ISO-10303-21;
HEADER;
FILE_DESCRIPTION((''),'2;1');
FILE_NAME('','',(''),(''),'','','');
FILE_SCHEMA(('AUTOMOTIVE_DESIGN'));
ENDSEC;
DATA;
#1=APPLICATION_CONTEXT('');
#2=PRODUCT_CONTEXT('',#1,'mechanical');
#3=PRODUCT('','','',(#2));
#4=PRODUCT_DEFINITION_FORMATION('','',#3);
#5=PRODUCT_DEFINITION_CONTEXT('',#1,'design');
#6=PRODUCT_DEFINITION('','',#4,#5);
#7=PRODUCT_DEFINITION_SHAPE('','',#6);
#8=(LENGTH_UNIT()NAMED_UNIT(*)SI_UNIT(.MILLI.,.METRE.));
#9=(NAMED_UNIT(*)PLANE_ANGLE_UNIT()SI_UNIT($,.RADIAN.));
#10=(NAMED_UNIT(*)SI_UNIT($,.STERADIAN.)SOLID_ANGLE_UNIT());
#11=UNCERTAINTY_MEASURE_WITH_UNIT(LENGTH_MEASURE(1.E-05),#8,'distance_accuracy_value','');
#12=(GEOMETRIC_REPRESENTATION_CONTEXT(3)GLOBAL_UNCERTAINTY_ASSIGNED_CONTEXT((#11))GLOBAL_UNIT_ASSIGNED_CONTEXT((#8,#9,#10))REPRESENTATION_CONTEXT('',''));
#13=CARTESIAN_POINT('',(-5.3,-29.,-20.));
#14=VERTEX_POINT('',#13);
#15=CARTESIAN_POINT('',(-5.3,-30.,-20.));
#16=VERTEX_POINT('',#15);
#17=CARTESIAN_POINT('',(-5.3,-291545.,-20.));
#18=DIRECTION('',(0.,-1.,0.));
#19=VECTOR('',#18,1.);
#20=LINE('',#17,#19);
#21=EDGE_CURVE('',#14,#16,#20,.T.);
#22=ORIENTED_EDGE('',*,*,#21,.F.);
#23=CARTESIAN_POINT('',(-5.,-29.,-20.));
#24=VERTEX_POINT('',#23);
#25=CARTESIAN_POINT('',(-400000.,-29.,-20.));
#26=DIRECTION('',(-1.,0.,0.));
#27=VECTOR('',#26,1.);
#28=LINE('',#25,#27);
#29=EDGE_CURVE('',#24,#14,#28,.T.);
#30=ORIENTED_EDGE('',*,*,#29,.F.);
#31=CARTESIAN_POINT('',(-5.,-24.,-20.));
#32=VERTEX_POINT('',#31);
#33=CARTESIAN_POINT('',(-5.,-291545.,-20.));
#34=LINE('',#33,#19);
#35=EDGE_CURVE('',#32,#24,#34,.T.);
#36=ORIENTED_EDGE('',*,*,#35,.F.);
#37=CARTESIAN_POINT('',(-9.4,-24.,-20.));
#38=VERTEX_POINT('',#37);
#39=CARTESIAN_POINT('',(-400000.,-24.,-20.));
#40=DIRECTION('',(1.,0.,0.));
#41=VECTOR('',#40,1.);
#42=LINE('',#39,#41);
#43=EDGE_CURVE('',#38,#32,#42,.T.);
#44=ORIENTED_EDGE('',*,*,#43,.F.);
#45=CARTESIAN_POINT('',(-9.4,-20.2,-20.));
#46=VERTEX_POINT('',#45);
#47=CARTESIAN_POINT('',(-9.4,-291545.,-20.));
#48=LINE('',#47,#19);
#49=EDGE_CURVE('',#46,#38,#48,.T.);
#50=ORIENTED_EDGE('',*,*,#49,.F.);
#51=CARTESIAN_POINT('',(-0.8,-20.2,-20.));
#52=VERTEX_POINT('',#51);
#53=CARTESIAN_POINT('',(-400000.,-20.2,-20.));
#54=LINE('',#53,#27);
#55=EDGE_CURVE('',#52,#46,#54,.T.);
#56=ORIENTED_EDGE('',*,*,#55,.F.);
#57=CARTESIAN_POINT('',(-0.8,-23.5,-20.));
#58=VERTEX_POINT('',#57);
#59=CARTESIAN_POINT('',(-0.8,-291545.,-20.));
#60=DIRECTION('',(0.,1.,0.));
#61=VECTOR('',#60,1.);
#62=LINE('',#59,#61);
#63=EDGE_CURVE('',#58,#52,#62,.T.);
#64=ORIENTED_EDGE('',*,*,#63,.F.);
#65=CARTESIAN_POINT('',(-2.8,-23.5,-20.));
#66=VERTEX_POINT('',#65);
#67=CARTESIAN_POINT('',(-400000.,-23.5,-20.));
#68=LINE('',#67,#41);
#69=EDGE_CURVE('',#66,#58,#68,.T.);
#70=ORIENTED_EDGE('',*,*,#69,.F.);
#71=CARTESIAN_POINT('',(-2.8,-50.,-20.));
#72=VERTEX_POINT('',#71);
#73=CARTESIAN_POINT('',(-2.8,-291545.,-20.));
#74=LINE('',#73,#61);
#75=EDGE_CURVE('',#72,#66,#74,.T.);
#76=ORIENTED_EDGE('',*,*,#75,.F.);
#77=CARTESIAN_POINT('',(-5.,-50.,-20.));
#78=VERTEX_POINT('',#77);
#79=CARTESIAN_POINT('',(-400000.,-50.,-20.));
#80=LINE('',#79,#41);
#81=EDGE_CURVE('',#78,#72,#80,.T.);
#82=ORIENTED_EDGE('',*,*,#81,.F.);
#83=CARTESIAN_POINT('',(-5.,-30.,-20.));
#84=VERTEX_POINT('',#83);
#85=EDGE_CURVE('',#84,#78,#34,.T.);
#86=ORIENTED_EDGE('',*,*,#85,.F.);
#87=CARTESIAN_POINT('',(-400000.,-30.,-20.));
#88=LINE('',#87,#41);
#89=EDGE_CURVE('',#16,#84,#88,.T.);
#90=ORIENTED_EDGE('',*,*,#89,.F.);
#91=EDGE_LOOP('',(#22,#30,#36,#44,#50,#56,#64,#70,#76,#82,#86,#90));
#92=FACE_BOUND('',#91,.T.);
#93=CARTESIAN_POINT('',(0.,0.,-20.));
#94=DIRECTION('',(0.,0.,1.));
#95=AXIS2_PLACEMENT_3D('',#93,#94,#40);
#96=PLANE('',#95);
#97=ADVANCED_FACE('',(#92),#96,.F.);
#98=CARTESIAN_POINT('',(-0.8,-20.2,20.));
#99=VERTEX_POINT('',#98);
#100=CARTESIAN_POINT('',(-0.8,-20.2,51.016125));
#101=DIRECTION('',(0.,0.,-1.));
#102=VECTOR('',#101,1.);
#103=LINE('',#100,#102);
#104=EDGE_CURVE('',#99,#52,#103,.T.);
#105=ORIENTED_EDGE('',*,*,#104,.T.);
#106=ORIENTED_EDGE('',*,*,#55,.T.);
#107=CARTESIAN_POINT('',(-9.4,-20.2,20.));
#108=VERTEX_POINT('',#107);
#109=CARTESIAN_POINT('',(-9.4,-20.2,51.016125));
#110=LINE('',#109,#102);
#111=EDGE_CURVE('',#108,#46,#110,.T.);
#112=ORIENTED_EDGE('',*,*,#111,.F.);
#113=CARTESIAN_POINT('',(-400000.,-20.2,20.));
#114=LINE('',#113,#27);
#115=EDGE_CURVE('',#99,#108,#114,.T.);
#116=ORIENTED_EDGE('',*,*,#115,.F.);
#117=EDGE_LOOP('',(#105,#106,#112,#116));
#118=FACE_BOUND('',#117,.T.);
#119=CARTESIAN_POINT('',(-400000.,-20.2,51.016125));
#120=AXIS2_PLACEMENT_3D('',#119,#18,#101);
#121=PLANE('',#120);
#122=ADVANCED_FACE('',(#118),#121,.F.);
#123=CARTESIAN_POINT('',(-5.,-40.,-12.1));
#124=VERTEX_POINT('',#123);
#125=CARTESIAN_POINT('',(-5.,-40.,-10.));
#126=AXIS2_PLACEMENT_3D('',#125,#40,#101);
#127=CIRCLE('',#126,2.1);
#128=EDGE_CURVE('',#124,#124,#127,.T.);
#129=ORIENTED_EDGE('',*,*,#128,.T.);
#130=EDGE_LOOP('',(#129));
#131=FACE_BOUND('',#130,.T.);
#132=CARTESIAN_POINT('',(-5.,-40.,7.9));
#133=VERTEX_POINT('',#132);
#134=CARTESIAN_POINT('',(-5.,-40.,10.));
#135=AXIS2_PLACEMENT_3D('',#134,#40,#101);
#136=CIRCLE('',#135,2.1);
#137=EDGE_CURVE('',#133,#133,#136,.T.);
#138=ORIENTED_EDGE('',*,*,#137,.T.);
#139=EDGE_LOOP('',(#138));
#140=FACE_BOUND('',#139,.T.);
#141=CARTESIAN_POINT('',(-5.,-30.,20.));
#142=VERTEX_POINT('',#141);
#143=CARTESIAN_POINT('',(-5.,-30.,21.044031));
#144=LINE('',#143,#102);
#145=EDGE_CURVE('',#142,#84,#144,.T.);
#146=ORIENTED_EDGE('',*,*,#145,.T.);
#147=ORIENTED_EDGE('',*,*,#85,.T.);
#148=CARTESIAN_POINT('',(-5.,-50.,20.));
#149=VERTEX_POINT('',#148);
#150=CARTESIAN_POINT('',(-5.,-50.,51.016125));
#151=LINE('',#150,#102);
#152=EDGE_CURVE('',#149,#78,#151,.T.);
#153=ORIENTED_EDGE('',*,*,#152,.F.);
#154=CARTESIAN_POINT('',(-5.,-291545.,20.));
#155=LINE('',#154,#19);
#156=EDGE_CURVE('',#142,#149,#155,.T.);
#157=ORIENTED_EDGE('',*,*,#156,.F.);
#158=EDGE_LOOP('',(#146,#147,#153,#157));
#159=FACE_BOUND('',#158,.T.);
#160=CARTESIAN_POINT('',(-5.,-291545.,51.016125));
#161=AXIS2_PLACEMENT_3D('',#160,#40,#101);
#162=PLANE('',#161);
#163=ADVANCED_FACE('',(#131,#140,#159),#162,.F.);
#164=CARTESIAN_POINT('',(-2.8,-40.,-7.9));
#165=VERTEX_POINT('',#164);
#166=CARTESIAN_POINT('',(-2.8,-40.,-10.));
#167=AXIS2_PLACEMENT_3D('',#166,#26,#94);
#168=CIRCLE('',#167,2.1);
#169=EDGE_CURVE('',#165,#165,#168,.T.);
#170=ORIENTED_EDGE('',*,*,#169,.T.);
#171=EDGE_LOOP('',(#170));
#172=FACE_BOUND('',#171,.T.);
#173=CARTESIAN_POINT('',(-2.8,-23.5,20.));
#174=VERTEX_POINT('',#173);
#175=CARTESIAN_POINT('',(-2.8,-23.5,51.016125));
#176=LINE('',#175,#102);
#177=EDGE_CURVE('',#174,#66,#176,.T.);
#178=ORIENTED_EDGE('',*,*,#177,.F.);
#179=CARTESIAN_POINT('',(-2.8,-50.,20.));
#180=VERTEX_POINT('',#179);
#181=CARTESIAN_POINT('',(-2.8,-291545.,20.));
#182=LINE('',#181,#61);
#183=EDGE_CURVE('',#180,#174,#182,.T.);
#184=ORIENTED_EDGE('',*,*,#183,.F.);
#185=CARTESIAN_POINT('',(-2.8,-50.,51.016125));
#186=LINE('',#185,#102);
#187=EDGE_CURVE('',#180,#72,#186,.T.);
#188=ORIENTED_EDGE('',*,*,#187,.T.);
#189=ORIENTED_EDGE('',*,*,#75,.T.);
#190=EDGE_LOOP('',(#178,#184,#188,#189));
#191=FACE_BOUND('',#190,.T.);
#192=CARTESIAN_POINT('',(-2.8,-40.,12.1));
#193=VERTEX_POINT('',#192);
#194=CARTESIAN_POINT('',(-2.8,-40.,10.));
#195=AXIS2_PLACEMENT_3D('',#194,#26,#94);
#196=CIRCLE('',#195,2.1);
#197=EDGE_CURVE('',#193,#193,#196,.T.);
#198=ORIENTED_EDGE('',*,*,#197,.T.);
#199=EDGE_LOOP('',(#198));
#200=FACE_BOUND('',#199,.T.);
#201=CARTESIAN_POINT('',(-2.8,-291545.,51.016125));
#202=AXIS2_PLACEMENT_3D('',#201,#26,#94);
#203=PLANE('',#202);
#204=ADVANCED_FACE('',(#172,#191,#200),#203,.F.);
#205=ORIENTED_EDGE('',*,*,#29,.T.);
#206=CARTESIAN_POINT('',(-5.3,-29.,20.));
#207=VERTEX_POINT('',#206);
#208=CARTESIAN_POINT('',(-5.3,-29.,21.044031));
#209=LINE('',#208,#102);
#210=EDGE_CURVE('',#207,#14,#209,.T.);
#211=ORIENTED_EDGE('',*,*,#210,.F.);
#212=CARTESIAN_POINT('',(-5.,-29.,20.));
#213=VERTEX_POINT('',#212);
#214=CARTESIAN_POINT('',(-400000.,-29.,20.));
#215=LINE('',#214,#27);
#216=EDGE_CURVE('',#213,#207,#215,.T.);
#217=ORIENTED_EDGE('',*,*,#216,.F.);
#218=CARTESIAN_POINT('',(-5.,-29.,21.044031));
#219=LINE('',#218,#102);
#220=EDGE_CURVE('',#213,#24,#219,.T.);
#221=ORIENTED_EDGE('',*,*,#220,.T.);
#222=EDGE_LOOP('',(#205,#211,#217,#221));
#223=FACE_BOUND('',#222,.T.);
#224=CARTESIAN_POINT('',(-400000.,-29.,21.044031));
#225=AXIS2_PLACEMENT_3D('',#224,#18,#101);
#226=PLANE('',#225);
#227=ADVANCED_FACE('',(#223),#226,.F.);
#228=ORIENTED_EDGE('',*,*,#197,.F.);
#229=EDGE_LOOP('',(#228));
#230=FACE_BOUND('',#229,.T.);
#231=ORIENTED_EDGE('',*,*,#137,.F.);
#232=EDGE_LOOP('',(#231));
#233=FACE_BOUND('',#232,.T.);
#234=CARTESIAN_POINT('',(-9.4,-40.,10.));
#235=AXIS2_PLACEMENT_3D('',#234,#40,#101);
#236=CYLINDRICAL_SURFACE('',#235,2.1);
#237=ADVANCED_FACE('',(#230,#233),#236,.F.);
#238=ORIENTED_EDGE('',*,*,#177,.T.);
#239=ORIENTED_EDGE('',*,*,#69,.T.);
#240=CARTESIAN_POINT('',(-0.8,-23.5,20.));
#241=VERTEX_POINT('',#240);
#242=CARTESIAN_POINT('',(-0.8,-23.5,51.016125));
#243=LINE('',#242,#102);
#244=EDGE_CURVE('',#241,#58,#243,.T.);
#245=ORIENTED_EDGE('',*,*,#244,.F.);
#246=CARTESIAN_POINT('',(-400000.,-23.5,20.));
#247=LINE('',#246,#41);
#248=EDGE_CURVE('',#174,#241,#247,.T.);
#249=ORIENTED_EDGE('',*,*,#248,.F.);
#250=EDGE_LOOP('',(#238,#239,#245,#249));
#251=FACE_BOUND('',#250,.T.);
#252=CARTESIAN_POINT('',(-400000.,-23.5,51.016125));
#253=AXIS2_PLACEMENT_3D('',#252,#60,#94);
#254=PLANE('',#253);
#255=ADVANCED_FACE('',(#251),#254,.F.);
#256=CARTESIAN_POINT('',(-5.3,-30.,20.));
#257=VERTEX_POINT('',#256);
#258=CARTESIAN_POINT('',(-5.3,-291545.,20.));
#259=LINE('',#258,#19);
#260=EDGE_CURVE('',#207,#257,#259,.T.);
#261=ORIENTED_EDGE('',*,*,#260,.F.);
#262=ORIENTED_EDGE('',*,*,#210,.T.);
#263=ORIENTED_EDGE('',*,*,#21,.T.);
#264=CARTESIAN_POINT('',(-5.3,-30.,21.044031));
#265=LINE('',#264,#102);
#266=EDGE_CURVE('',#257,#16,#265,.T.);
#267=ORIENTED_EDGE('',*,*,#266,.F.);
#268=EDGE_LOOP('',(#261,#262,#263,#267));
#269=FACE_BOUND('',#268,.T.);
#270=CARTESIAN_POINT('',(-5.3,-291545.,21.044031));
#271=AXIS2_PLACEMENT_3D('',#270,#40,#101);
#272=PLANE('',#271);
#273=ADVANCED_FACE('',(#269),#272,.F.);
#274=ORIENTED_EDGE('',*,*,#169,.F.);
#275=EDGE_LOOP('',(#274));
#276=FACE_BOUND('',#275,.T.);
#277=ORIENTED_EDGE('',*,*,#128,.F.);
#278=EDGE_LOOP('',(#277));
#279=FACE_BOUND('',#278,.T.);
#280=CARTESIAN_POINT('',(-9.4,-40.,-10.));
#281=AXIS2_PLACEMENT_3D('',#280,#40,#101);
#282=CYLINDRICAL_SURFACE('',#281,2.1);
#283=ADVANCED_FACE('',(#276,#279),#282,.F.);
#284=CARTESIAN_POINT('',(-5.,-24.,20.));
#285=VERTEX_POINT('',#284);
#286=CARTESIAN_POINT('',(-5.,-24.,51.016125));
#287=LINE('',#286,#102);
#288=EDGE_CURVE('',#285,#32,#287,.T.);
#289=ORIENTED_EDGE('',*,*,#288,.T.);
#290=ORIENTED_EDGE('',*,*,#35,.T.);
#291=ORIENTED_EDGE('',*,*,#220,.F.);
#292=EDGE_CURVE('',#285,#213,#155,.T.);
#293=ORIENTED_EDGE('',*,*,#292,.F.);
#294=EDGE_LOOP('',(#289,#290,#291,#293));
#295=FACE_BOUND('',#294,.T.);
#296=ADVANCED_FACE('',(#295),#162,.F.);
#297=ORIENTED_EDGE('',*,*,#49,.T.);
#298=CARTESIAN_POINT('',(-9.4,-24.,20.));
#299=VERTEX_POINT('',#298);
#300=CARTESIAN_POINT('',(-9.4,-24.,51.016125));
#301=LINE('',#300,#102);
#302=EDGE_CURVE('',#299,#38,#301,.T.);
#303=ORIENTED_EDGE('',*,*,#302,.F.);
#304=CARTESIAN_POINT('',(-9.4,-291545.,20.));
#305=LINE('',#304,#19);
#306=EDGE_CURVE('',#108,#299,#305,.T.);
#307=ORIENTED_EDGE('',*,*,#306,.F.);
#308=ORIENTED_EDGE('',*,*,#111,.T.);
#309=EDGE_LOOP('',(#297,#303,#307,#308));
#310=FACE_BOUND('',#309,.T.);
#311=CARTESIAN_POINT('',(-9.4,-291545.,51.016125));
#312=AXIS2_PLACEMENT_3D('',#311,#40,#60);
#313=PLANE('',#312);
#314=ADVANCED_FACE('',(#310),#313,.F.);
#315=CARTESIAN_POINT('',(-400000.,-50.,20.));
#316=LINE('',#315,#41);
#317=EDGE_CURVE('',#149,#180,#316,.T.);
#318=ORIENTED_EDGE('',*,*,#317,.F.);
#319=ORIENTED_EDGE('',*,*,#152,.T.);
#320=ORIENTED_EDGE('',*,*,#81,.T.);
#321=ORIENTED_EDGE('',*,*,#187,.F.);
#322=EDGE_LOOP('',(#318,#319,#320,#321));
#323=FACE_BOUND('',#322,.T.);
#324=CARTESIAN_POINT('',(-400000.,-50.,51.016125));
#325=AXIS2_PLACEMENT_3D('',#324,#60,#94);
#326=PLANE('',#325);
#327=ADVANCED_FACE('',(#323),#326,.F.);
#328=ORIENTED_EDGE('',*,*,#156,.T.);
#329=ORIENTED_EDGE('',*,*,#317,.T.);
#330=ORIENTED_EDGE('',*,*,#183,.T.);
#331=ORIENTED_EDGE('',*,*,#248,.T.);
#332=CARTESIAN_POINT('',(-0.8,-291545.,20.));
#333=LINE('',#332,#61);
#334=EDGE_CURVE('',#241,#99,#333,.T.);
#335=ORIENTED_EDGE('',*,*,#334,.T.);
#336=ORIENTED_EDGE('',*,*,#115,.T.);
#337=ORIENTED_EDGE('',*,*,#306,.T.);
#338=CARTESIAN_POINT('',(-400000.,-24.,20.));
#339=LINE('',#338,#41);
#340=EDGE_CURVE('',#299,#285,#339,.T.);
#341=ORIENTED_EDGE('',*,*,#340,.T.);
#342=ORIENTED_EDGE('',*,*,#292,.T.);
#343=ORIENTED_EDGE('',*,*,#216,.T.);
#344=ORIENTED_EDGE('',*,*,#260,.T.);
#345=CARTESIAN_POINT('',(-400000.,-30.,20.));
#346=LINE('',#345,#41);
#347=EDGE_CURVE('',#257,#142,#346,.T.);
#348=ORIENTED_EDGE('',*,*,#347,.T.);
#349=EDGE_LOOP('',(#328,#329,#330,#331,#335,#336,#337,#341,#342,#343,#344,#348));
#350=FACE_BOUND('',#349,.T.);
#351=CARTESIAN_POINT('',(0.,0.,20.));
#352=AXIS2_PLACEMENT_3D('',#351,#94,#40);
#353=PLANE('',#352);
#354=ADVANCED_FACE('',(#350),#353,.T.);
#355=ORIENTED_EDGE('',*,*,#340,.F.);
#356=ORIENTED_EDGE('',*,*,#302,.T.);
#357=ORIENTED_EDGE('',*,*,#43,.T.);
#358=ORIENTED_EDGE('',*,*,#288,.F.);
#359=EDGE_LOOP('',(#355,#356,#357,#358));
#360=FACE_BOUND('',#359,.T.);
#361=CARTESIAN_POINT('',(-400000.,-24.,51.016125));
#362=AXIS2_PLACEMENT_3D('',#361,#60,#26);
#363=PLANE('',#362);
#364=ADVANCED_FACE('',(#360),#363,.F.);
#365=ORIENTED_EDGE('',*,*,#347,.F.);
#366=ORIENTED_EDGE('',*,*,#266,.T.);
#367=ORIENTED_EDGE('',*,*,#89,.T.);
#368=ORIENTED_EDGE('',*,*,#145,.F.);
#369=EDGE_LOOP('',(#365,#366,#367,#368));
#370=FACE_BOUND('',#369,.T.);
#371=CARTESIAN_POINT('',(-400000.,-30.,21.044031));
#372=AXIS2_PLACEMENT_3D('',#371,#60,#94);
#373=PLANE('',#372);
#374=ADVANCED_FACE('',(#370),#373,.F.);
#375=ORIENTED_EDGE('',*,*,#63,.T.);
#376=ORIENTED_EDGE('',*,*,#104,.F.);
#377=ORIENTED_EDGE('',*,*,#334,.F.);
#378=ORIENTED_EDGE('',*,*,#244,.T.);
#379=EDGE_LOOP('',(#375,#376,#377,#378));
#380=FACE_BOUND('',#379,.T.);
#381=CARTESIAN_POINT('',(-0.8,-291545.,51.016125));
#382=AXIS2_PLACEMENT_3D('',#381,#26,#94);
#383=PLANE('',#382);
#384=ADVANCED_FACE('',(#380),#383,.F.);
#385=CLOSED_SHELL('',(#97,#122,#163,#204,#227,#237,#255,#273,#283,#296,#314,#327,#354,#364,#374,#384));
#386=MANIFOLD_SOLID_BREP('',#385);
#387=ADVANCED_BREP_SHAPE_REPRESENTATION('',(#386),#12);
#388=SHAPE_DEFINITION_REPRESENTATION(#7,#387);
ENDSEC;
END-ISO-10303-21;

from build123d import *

# Parameters (mm, degrees)
CLIP_EXTRUDE_START           = -20
CLIP_EXTRUDE_DEPTH           = 40
ANTIOFFSETBUMP_EXTRUDE_START = -20
ANTIUPLIFTBUMP_SKETCH_W      = 0.3
ANTIUPLIFTBUMP_SKETCH_H      = 1
ANTIOFFSETBUMP_EXTRUDE_DEPTH = 40
MOUNTHOLES_CUT_DEPTH         = 55.665894029
MOUNTHOLES_CUT_DEPTH_BACK    = 55.665894029
MOUNTHOLES_SKETCH_R          = 2.1


with BuildPart() as part:
    # panelClipSection_sketch → clip_extrude (new body)
    with BuildSketch(Plane.XY.offset(CLIP_EXTRUDE_START)):
        Polygon((-9.40000037, -23.99999963), (-5.00000037, -23.99999963), (-5.00000037, -49.99999963), (-2.80000037, -49.99999963), (-2.80000037, -23.49999963), (-0.80000037, -23.49999963), (-0.80000037, -20.19999963), (-9.40000037, -20.19999963), align=None)
    extrude(amount=CLIP_EXTRUDE_DEPTH)

    # antiUpliftBump_sketch → antiOffsetBump_extrude (add)
    with BuildSketch(Plane.XY.offset(ANTIOFFSETBUMP_EXTRUDE_START)):
        with Locations((-5.15000037, -29.49999963)):
            Rectangle(ANTIUPLIFTBUMP_SKETCH_W, ANTIUPLIFTBUMP_SKETCH_H)
    extrude(amount=ANTIOFFSETBUMP_EXTRUDE_DEPTH)

    # mountHoles_sketch → mountHoles_cut (cut, two sides: drawn at the far end of the back side and taken through both)
    with BuildSketch(Plane(origin=(0, 0, 0), x_dir=(0, 0, -1), z_dir=(1, 0, 0)).offset(-MOUNTHOLES_CUT_DEPTH_BACK)):
        with Locations((10, -39.99999963)):
            Circle(MOUNTHOLES_SKETCH_R)
        with Locations((-10, -39.99999963)):
            Circle(MOUNTHOLES_SKETCH_R)
    extrude(amount=MOUNTHOLES_CUT_DEPTH + MOUNTHOLES_CUT_DEPTH_BACK, mode=Mode.SUBTRACT)


solid = part.part
